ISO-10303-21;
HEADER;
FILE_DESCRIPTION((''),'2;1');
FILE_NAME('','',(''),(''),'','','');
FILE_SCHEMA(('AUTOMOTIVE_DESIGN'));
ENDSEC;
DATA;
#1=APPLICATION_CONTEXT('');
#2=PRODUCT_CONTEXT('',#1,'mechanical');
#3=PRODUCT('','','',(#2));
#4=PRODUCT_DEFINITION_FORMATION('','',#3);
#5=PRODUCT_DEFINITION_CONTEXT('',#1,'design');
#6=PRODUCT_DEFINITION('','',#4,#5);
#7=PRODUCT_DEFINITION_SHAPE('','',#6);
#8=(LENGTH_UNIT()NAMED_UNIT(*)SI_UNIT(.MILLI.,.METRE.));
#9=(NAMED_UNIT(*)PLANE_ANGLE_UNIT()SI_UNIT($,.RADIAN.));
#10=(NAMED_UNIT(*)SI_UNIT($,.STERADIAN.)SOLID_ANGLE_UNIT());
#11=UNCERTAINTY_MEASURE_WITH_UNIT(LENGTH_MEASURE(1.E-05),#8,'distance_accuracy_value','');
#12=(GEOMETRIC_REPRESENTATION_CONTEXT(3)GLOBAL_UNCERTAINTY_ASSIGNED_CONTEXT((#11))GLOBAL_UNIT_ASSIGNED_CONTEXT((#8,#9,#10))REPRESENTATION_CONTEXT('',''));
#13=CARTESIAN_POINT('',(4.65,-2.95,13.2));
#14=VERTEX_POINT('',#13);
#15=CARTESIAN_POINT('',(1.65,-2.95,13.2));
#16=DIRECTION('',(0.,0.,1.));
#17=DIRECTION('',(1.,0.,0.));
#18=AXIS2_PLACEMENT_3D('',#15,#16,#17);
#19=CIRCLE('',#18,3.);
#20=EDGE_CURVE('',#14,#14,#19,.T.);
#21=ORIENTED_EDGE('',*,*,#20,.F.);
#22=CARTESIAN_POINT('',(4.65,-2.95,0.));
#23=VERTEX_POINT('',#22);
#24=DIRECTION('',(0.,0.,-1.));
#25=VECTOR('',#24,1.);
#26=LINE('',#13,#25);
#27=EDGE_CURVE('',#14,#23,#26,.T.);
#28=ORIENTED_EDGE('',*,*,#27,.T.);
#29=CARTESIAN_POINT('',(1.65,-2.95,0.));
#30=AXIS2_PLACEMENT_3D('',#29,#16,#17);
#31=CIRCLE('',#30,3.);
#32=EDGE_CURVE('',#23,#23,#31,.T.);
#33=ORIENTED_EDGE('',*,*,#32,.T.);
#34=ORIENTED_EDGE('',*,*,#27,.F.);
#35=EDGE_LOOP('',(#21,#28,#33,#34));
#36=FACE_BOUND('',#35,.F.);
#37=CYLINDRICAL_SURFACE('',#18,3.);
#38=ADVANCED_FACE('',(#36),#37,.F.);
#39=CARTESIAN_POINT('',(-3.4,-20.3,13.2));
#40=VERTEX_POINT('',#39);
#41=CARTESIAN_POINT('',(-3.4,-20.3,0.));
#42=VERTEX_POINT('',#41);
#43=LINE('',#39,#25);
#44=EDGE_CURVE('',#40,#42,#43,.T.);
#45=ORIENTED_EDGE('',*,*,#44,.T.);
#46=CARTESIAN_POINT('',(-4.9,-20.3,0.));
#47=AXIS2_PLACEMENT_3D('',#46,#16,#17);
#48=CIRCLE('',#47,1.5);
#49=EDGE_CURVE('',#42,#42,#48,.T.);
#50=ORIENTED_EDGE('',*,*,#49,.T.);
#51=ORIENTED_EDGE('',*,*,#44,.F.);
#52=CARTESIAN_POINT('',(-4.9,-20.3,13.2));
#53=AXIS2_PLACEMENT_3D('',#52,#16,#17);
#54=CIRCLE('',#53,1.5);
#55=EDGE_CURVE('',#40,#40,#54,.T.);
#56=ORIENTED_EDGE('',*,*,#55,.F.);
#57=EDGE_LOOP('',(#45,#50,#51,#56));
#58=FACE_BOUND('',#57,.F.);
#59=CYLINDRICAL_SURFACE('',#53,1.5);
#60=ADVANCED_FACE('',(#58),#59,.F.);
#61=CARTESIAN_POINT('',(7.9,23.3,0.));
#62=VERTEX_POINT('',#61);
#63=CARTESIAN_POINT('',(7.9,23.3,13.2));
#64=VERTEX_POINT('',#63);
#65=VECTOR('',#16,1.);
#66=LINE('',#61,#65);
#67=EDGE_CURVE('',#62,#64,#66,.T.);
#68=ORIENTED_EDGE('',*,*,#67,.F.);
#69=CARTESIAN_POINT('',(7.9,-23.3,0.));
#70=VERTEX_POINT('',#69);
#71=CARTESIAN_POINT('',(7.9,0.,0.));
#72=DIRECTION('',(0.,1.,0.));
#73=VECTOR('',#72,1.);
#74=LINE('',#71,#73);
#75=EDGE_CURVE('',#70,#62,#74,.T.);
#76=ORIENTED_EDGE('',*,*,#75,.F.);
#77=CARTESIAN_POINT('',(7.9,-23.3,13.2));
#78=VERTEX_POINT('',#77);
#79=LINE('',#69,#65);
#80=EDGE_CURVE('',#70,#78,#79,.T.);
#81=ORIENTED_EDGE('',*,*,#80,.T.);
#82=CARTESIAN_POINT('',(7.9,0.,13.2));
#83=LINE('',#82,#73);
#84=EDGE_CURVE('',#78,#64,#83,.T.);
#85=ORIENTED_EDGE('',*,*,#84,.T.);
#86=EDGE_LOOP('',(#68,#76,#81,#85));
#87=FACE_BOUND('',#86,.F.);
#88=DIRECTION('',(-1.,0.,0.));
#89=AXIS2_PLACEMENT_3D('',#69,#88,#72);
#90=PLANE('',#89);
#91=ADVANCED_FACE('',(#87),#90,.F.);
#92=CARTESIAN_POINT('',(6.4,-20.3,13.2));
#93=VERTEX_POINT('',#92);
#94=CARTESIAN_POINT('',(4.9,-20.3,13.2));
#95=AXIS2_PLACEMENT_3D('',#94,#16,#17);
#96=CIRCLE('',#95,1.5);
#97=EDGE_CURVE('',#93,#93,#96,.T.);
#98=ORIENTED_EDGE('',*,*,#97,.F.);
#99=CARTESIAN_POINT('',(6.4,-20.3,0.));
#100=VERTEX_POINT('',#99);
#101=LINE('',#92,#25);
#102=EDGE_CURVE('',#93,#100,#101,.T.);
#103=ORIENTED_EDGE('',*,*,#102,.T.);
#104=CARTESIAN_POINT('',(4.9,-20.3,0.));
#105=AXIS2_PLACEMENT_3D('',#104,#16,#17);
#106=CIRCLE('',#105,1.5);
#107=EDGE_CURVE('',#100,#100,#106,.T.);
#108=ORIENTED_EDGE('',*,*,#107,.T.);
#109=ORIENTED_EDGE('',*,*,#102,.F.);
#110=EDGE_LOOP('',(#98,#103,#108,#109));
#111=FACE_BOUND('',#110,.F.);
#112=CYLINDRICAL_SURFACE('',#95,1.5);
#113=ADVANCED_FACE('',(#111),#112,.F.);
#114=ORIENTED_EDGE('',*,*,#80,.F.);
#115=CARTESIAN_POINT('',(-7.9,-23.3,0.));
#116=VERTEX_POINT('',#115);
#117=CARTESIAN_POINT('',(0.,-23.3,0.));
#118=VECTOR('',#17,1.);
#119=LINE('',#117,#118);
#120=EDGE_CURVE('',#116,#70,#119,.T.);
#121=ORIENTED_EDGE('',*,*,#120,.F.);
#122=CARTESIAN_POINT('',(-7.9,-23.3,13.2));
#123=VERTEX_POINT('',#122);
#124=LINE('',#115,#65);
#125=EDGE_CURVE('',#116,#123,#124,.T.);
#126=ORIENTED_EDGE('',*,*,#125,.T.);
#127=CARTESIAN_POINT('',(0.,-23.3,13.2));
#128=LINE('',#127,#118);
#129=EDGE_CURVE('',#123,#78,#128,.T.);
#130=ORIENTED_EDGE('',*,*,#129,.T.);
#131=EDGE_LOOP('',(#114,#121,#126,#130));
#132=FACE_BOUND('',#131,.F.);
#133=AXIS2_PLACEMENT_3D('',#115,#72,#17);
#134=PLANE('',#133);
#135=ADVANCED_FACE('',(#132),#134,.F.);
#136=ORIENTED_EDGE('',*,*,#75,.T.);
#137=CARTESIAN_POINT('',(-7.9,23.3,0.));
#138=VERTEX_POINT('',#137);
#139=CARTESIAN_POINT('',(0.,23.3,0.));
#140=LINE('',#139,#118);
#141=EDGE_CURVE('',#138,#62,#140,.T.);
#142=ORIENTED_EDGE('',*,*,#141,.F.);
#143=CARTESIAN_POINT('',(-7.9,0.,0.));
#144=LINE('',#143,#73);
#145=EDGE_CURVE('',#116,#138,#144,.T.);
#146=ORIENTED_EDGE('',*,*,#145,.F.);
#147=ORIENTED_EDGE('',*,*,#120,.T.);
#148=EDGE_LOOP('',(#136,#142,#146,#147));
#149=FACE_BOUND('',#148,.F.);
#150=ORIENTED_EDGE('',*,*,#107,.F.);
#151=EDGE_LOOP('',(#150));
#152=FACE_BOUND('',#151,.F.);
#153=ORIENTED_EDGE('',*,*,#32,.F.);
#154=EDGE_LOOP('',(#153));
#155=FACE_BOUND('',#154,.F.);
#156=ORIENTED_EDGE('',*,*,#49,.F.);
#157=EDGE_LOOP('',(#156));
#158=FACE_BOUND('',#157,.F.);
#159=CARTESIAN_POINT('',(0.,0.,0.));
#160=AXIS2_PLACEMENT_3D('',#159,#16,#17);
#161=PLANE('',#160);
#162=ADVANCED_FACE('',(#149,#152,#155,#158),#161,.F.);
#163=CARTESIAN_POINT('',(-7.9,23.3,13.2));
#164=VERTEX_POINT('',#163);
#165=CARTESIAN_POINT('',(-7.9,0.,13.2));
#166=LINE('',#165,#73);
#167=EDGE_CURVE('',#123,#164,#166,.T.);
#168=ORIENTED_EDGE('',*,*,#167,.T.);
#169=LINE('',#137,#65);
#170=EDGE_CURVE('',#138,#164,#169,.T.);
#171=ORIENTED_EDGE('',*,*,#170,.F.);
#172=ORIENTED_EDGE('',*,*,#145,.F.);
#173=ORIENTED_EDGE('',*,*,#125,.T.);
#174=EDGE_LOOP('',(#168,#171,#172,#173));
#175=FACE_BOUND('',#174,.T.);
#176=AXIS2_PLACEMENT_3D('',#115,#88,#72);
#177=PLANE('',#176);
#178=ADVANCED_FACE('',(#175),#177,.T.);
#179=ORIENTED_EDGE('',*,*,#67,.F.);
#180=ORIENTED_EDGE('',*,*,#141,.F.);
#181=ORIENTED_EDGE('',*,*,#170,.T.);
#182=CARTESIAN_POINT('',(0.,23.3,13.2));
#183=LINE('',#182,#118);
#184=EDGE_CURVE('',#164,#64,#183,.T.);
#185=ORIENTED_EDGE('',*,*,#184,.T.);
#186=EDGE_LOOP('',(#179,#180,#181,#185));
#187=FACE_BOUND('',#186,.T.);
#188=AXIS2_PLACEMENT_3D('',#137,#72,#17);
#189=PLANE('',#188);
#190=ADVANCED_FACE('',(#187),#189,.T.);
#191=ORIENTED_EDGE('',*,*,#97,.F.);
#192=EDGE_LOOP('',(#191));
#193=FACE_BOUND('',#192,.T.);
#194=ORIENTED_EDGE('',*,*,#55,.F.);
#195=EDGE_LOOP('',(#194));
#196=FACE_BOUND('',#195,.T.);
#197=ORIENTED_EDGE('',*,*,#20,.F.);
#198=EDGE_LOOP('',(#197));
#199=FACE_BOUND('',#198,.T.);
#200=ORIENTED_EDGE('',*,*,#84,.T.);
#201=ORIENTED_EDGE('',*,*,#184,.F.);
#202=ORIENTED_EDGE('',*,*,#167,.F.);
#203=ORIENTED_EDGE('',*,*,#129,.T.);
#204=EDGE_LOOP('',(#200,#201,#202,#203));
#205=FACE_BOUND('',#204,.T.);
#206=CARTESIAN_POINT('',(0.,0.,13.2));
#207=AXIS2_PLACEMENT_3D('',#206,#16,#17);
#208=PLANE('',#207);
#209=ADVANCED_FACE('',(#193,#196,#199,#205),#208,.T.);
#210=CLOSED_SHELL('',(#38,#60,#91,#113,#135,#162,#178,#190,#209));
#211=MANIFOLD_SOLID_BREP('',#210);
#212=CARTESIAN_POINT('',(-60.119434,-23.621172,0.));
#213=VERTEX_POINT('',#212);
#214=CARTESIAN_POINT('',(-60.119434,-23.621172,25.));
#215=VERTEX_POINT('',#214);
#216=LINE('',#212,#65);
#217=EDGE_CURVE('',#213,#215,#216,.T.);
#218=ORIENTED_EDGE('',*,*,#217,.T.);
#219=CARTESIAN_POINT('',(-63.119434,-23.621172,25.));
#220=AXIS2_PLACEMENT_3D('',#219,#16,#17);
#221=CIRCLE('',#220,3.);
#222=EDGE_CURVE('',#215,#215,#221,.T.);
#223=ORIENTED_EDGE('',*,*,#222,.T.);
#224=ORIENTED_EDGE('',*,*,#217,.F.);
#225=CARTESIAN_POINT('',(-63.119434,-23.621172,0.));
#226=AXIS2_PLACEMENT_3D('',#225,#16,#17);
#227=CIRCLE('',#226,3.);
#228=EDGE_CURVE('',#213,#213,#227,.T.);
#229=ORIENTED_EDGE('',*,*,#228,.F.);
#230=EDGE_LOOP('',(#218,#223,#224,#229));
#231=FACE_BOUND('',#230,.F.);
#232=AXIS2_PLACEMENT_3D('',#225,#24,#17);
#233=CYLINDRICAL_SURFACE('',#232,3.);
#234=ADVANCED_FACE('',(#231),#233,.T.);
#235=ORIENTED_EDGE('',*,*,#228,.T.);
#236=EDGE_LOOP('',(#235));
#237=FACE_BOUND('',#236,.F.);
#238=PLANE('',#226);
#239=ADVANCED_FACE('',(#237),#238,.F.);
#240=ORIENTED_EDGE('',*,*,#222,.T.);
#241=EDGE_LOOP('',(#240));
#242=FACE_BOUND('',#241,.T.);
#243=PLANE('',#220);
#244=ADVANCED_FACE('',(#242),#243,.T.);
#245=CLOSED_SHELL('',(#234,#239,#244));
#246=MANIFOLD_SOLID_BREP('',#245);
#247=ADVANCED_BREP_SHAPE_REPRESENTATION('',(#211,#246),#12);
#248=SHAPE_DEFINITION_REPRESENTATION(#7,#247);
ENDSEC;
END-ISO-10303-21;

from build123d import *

# Parameters (mm, degrees)
F0_W     = 15.8
F0_H     = 46.6
F1_DEPTH = 13.2
F2_R     = 3
F2_R_2   = 1.5
F3_DEPTH = 25
F4_R     = 3
F5_DEPTH = 25


with BuildPart() as f1:
    # F0 (on Top) → F1 (new body)
    with BuildSketch(Plane.XY):
        Rectangle(F0_W, F0_H)
    extrude(amount=F1_DEPTH)

    # F2 (on face) → F3 (cut)
    with BuildSketch(Plane.XY.offset(13.2)):
        with Locations((1.65, -2.95)):
            Circle(F2_R)
        with Locations((-4.9, -20.3)):
            Circle(F2_R_2)
        with Locations((4.9, -20.3)):
            Circle(F2_R_2)
    extrude(amount=-F3_DEPTH, mode=Mode.SUBTRACT)


with BuildPart() as f5:
    # F4 (on Top) → F5 (new body)
    with BuildSketch(Plane.XY):
        with Locations((-63.119434, -23.621172)):
            Circle(F4_R)
    extrude(amount=F5_DEPTH)


solid = Compound([f1.part, f5.part])
